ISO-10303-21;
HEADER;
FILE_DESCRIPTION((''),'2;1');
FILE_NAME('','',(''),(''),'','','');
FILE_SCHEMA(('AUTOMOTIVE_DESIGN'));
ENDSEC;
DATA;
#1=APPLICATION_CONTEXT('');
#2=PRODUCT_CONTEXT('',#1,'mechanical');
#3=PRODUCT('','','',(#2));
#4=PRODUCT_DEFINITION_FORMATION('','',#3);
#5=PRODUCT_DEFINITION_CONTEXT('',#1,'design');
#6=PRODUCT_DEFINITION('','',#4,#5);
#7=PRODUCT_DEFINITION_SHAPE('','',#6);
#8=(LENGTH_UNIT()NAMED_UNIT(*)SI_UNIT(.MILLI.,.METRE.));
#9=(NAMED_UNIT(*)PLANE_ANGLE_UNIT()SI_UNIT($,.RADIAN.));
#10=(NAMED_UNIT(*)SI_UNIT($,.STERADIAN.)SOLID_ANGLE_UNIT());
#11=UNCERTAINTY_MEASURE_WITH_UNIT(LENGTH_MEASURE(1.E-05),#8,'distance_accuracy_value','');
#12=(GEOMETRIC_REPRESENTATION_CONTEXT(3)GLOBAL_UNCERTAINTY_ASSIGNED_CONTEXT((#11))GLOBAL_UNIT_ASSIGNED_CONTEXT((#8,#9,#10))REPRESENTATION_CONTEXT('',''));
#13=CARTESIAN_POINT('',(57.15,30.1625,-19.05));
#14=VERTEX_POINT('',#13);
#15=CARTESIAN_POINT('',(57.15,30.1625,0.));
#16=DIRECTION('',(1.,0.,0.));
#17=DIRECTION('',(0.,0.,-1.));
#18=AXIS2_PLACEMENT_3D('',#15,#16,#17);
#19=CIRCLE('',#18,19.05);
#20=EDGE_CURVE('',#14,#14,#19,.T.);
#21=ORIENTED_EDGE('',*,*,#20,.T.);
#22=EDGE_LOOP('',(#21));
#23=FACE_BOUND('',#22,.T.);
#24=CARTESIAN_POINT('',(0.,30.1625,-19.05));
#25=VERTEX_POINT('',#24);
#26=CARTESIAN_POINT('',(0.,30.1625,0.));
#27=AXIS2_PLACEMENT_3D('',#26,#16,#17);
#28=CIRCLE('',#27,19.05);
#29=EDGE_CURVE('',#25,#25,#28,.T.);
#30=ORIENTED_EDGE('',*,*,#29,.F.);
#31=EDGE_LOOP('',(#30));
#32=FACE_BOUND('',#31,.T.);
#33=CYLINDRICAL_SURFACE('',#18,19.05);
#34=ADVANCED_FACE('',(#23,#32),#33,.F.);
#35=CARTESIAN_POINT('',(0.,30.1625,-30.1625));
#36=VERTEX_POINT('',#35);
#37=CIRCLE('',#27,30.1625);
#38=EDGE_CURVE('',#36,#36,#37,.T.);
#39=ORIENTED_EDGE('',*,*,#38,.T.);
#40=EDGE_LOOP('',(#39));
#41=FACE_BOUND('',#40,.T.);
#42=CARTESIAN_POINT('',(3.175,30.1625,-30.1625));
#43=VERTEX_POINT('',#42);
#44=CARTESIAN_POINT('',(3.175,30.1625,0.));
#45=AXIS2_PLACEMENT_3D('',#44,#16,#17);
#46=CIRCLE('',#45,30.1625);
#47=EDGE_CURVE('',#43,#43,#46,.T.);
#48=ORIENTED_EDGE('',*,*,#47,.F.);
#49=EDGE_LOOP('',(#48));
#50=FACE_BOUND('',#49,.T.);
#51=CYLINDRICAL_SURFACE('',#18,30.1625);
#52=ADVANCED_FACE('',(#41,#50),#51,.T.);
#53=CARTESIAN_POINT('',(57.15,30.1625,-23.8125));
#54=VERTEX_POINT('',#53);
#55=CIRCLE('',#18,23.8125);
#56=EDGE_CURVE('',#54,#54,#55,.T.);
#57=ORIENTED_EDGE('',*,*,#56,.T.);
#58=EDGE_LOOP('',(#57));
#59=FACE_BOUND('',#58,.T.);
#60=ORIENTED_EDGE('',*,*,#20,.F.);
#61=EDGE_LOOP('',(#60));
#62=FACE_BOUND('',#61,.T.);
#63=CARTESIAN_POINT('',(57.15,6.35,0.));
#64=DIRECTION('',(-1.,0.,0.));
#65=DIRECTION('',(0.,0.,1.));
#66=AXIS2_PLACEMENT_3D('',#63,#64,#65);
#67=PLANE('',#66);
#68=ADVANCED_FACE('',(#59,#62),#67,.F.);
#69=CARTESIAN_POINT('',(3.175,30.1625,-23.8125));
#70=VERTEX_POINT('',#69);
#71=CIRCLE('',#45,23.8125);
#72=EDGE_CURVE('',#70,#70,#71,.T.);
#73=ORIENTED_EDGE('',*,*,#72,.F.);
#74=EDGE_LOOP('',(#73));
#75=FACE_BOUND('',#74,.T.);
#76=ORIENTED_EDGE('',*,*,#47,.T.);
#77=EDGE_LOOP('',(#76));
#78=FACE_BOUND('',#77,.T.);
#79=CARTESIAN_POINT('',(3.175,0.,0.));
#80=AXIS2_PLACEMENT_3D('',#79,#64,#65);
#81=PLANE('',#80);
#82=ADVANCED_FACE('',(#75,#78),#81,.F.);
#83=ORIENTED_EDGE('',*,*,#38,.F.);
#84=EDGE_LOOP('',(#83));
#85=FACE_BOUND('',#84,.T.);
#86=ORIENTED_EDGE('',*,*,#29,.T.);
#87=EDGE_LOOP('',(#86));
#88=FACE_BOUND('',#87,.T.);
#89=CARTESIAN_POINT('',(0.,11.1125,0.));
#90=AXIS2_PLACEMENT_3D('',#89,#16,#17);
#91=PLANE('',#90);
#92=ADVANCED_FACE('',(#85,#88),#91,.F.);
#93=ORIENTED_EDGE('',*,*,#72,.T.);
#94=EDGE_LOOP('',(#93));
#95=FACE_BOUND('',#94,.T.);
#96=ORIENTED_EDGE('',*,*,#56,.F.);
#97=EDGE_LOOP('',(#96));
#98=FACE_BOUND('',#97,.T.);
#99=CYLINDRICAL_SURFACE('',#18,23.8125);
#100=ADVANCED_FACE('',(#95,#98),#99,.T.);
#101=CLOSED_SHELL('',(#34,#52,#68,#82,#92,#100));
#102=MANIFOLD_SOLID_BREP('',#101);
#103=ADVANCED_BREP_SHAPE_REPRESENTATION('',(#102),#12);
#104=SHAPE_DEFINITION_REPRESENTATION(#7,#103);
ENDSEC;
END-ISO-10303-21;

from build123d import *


with BuildPart() as part:
    # Sketch1 → Revolve1 (revolve)
    with BuildSketch(Plane.XY, mode=Mode.PRIVATE) as revolve1_sk:
        Polygon((0, 0), (3.175, 0), (3.175, 6.35), (57.15, 6.35), (57.15, 11.1125), (0, 11.1125), align=None)
    revolve(revolve1_sk.sketch.rotate(Axis((57.15, 30.1625, 0), (-1, 0, 0)), 270), axis=Axis((57.15, 30.1625, 0), (-1, 0, 0)))


solid = part.part
